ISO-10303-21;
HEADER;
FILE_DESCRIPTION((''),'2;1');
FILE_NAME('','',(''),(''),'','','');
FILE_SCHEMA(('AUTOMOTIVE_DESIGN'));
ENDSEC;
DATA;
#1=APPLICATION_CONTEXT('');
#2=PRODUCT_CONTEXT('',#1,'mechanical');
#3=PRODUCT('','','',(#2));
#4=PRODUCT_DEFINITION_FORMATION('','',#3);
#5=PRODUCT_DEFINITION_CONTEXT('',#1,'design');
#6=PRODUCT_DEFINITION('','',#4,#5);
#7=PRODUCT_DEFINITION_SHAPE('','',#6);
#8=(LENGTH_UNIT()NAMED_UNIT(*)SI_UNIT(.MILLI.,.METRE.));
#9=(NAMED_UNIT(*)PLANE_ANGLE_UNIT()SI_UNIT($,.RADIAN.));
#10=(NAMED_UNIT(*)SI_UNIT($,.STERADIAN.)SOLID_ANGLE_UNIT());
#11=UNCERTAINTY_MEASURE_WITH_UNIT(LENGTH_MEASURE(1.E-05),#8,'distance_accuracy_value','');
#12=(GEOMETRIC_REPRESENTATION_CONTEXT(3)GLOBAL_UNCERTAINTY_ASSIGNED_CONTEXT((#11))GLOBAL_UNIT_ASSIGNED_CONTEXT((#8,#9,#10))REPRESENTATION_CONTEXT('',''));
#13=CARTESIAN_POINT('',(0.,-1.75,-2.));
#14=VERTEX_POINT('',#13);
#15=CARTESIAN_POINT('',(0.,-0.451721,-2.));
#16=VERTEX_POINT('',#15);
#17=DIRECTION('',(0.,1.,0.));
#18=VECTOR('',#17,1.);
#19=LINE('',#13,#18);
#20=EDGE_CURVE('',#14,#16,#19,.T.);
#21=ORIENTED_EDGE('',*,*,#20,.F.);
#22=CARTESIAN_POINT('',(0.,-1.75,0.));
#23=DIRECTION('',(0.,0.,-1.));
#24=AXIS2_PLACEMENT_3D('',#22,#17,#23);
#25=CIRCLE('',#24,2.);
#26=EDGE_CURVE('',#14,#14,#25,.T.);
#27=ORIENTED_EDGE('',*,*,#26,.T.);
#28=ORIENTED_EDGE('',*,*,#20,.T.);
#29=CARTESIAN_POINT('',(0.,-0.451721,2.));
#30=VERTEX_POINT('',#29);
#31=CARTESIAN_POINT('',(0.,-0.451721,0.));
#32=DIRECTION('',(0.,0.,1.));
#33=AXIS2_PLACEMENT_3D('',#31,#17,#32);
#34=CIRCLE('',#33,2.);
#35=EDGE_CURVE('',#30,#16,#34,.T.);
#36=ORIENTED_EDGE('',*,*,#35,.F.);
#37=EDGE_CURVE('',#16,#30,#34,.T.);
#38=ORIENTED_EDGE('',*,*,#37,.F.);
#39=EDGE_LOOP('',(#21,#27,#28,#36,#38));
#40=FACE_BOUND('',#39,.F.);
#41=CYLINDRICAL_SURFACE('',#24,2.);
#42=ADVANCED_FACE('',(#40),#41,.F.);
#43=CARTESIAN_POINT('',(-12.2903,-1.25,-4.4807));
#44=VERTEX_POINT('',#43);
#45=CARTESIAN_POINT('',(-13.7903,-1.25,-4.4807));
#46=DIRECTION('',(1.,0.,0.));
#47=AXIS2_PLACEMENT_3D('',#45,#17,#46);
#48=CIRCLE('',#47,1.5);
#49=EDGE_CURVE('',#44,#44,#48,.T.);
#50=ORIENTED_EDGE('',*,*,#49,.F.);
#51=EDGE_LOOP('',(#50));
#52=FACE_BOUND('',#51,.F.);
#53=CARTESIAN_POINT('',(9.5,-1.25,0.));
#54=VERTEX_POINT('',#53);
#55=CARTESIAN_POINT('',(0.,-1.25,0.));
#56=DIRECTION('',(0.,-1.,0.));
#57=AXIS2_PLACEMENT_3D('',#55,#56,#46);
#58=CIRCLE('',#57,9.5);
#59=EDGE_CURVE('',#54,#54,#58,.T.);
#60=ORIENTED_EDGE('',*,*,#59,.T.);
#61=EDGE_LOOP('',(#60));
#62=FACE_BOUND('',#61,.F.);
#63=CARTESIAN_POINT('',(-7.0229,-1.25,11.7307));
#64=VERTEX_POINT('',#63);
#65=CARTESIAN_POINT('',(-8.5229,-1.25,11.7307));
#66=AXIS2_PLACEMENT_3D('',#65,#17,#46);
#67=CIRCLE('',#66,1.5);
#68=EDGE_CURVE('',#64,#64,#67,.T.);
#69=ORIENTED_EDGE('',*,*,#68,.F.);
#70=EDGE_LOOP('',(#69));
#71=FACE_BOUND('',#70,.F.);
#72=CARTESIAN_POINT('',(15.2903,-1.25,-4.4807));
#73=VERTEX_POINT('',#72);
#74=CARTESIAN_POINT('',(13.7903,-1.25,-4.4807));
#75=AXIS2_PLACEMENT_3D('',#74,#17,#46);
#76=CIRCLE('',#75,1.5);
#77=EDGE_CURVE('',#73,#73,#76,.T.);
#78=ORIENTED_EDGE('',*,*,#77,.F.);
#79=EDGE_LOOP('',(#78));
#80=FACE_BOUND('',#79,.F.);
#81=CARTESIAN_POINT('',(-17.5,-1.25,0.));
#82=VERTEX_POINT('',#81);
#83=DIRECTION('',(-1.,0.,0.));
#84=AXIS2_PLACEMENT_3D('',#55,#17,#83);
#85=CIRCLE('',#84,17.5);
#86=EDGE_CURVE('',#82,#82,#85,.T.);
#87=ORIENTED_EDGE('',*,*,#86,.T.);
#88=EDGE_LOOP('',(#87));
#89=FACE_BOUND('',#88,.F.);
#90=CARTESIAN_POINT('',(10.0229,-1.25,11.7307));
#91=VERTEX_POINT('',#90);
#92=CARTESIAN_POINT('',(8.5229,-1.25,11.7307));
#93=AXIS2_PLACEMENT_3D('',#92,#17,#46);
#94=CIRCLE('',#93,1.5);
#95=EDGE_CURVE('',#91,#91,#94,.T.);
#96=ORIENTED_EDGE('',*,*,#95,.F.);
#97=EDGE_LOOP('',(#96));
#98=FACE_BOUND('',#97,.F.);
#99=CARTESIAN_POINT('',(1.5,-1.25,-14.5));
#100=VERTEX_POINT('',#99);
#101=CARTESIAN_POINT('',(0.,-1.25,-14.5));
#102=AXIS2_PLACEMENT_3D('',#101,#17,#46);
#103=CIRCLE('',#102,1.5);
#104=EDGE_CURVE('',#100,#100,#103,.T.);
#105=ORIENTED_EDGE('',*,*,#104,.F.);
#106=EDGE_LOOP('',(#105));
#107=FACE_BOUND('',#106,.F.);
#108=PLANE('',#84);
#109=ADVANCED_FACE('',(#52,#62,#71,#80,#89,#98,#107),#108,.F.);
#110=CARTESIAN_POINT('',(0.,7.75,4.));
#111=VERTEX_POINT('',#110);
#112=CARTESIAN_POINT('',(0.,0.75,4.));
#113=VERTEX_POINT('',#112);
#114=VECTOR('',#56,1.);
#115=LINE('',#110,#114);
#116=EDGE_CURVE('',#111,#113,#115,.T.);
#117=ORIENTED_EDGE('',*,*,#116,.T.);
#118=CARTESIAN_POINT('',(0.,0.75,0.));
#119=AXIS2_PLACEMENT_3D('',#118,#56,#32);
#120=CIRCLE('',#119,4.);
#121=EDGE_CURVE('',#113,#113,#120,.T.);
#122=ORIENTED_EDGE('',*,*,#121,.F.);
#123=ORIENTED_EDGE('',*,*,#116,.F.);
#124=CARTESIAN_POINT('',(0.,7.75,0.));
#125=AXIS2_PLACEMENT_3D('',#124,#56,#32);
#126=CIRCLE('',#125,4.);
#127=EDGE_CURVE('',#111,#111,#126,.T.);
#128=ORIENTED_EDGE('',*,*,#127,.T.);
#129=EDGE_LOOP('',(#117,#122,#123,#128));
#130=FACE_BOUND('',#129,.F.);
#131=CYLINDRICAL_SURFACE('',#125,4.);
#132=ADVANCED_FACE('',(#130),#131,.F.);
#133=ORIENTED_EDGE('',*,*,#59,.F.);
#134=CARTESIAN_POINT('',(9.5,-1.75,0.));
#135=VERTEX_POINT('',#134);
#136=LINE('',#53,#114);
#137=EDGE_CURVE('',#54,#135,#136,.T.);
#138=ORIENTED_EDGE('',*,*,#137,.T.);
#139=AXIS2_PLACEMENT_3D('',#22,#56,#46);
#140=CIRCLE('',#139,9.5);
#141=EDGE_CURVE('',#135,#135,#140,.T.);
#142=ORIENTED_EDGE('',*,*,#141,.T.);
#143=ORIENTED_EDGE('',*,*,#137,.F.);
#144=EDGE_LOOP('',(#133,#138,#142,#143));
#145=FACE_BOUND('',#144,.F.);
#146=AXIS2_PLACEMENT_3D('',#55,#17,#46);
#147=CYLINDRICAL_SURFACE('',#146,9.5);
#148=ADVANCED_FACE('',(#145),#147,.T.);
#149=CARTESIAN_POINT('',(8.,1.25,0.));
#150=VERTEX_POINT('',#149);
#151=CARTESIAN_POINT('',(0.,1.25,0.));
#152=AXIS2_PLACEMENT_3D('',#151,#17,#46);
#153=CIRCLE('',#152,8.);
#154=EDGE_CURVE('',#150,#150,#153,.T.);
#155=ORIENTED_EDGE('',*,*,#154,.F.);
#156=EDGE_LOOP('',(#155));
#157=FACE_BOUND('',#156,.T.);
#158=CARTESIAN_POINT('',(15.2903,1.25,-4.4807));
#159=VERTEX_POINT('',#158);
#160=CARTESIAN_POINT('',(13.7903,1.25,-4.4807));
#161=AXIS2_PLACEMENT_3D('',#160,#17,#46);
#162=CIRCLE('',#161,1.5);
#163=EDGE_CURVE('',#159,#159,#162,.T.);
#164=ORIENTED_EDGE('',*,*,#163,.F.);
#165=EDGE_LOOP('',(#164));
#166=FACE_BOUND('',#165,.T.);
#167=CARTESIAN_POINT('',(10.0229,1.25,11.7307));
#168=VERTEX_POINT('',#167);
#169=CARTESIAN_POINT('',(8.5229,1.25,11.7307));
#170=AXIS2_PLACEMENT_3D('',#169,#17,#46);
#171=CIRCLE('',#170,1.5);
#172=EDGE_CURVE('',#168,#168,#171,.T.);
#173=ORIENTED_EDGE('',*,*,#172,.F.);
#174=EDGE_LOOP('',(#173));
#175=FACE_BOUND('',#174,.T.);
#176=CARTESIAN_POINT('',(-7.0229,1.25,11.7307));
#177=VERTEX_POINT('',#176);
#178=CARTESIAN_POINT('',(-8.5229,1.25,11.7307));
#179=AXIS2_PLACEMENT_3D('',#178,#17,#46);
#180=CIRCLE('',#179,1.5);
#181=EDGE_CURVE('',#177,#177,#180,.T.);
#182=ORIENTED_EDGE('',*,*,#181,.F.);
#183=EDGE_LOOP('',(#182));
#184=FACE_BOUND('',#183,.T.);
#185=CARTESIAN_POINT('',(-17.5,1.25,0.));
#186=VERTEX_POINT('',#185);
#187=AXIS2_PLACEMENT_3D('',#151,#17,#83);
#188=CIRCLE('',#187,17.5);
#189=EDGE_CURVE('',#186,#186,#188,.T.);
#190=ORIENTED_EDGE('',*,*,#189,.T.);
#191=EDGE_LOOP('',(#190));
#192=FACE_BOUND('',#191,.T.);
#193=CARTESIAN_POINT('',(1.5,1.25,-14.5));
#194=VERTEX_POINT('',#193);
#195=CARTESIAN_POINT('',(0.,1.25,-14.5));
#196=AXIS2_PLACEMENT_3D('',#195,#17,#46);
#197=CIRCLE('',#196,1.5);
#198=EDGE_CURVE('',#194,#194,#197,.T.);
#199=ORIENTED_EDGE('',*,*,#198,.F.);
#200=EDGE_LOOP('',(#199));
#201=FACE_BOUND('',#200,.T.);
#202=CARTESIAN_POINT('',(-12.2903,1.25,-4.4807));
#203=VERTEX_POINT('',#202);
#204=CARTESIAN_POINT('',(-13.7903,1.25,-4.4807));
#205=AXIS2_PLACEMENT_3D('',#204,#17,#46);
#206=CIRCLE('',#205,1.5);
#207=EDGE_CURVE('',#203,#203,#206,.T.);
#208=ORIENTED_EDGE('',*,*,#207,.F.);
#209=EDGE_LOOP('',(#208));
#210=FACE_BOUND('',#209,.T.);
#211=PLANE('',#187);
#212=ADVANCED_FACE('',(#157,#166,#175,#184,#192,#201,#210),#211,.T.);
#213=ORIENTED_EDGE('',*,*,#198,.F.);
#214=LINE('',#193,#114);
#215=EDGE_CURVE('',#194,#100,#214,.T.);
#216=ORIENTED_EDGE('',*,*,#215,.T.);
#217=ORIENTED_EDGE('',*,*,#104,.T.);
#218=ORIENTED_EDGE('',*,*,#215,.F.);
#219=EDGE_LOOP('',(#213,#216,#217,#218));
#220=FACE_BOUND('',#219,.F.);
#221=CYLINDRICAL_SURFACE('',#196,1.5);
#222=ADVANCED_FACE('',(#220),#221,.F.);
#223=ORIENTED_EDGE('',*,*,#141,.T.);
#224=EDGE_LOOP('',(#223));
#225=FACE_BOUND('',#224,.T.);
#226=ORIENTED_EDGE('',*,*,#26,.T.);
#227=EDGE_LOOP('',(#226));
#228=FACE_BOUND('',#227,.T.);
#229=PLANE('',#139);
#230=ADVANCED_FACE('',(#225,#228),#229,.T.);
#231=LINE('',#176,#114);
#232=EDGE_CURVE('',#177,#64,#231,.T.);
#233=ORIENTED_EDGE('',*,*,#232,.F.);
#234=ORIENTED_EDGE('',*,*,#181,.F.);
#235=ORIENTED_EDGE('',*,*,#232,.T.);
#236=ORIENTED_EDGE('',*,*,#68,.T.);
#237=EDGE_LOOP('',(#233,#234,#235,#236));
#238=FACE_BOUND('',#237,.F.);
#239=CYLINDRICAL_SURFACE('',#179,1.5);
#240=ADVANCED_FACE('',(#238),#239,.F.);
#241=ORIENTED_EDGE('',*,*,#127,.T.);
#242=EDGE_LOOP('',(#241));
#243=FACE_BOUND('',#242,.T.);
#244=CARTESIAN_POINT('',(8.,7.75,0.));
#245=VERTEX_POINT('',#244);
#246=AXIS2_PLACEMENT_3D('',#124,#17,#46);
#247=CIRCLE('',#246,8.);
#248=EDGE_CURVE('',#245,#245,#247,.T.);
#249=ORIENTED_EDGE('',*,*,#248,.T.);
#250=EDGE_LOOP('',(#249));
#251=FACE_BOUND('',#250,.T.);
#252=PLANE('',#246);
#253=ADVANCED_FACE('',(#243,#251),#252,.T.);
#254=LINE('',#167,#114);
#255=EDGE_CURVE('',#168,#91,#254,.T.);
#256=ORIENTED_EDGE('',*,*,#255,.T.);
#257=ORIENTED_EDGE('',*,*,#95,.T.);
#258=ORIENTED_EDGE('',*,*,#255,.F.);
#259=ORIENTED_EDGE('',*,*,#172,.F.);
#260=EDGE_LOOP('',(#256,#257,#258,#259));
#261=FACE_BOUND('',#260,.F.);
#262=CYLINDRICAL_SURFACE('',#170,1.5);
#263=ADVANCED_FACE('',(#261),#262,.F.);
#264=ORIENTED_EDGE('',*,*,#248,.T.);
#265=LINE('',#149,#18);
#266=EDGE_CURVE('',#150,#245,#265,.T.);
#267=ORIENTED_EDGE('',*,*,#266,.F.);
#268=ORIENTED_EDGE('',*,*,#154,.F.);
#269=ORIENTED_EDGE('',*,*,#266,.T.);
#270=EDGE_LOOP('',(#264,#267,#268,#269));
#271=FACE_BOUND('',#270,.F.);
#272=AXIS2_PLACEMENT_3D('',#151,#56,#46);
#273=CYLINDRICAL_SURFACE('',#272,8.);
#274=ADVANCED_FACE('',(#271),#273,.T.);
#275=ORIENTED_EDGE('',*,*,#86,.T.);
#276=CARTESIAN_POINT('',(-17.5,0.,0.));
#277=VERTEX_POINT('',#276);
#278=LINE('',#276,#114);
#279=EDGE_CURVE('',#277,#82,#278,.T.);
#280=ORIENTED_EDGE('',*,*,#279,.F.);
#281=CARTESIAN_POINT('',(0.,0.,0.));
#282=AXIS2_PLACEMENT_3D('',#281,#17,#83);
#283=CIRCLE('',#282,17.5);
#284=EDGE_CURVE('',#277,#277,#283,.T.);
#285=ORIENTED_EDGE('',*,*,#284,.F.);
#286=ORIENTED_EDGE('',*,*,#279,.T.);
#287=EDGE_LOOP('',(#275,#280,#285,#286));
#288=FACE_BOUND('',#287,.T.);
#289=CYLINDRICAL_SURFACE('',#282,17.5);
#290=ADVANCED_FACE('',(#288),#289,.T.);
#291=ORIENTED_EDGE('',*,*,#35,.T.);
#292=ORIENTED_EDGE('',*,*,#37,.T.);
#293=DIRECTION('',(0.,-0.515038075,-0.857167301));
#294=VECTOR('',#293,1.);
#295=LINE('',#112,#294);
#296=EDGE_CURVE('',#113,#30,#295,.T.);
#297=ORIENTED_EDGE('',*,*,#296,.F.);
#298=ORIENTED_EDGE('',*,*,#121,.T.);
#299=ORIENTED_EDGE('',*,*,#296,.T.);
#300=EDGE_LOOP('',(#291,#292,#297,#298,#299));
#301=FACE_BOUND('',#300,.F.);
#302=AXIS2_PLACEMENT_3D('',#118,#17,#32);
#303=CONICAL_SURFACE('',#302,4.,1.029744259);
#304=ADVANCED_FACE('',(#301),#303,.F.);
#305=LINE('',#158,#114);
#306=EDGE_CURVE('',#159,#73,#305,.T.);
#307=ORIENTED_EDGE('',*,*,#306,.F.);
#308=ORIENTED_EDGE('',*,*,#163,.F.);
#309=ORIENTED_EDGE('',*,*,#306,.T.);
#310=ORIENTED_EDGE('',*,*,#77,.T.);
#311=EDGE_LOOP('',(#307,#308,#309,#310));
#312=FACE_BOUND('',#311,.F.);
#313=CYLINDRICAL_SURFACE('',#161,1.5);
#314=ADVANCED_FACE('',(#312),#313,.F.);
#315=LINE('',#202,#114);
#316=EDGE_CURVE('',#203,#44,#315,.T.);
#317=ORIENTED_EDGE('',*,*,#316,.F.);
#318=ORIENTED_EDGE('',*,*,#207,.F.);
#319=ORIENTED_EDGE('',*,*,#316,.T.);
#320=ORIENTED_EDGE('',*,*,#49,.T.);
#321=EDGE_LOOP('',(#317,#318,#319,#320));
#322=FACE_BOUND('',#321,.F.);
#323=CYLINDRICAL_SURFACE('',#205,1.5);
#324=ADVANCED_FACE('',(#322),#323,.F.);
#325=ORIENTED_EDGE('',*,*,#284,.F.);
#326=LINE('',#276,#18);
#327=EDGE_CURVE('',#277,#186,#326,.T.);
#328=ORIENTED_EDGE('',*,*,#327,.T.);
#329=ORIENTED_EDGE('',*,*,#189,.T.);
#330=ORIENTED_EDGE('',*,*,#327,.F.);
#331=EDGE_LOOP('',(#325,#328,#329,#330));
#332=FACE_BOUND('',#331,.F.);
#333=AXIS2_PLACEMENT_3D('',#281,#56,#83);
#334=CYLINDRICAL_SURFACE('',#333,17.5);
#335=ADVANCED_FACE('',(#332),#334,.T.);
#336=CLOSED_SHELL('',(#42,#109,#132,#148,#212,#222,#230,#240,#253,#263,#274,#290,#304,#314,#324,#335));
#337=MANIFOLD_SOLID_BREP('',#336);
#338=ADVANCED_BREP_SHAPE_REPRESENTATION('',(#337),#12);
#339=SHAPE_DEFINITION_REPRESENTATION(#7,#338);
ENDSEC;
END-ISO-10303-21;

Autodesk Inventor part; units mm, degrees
ref_plane "YZ Plane" through (0, 0, 0) normal (1, 0, 0) x (0, 1, 0)
ref_plane "XZ Plane" through (0, 0, 0) normal (0, 1, 0) x (-1, 0, 0)
ref_plane "XY Plane" through (0, 0, 0) normal (0, 0, 1) x (1, 0, 0)
sketch "Sketch1" plane through (0, 0, 0) normal (0, 1, 0) x (-1, 0, 0)
  circle A0 centre (0, 0) radius 17.5
  dimension "d0" = 35
extrude "Extrusion1" add sketch "Sketch1" along normal mid plane 2.5
sketch "Sketch2" plane through (0, 1.25, 0) normal (0, 1, 0) x (1, 0, 0)
  circle A0 centre (0, 0) radius 8
  dimension "d3" = 16
extrude "Extrusion2" add sketch "Sketch2" along normal blind 6.5
sketch "Sketch3" plane through (0, -1.25, 0) normal (0, -1, 0) x (1, 0, 0)
  circle A0 centre (0, 0) radius 9.5
  dimension "d6" = 19
extrude "Extrusion3" add sketch "Sketch3" along normal blind 0.5
sketch "Sketch6" plane through (0, 1.25, 0) normal (0, 1, 0) x (1, 0, 0)
  circle A0 centre (0, 14.5) radius 1.5
  circle A1 centre (-13.7903, 4.4807) radius 1.5
  circle A2 centre (-8.5229, -11.7307) radius 1.5
  circle A3 centre (8.5229, -11.7307) radius 1.5
  circle A4 centre (13.7903, 4.4807) radius 1.5
  point P0 (0, 0)
  dimension "d17" = 3
  dimension "d18" = 14.5
  dimension "d21" = 360
extrude "Extrusion6" cut sketch "Sketch6" against normal through all
sketch "Sketch7" plane through (0, 7.75, 0) normal (0, 1, 0) x (1, 0, 0)
  point P0 (0, 0)
  point P1 (0, 0)
hole "Hole1" at (0, 7.75, 0) direction (0, -1, 0) diameter 8 depth 7 tip angle 118
sketch "Sketch8" plane through (0, -1.75, 0) normal (0, -1, 0) x (1, 0, 0)
  point P0 (0, 0)
hole "Hole2" at (0, -1.75, 0) direction (0, 1, 0) diameter 4 end through all
thread "Thread2" size "M8x1.25" class "6H" standard "ANSI Metric M Profile" full length
properties material "Iron, Cast"
